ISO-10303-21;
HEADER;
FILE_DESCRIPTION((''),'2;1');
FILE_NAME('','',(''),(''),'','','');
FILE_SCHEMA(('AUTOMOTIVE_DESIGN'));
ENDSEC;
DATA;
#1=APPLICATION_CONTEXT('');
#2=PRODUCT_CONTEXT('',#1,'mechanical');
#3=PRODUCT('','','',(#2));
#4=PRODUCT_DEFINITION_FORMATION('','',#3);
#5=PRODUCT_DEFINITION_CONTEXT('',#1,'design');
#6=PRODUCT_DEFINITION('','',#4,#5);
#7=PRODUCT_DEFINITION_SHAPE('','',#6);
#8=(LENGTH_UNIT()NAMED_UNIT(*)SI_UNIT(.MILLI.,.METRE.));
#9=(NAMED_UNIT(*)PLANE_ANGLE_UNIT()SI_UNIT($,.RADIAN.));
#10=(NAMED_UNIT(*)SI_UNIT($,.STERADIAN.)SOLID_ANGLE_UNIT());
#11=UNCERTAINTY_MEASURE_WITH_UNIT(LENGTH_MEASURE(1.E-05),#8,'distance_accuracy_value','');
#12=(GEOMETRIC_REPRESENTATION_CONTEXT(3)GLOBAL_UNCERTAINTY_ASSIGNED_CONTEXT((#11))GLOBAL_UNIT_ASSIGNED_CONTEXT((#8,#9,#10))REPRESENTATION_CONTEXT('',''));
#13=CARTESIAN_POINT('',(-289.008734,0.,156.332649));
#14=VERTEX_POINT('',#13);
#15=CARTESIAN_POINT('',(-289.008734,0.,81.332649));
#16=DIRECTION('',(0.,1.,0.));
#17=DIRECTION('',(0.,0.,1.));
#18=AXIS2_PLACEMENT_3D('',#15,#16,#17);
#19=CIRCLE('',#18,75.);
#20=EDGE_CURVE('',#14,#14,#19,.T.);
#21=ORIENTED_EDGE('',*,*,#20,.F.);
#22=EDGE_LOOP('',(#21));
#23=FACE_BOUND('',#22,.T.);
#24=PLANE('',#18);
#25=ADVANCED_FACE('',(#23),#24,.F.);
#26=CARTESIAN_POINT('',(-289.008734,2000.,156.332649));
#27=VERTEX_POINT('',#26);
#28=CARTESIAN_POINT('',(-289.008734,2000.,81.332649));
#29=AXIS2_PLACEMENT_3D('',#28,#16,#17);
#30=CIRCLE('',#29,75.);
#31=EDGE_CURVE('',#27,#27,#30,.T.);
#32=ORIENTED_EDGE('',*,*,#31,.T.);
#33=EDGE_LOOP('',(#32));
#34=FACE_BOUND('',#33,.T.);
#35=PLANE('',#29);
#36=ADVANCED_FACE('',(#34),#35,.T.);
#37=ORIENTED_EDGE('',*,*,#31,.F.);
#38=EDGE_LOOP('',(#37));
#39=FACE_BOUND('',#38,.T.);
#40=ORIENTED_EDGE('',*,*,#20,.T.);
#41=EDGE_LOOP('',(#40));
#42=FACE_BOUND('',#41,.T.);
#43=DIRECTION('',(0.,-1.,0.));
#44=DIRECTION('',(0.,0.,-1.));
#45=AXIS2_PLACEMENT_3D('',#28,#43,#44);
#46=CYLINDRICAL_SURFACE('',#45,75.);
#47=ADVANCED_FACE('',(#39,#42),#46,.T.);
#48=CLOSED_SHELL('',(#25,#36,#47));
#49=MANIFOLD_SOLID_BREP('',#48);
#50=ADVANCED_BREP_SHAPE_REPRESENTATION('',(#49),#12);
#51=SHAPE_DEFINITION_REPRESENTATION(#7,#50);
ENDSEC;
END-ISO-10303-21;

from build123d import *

# Parameters (mm, degrees)
SKETCH2_R           = 75
BOSS_EXTRUDE1_DEPTH = 2000


with BuildPart() as part:
    # Sketch2 → Boss-Extrude1 (new body)
    with BuildSketch(Plane(origin=(0, 0, 0), x_dir=(1, 0, 0), z_dir=(0, 1, 0))):
        with Locations(Location((-289.008733796, -81.332648836, 0), (0, 0, 270))):
            Circle(SKETCH2_R)
    extrude(amount=BOSS_EXTRUDE1_DEPTH)


solid = part.part
